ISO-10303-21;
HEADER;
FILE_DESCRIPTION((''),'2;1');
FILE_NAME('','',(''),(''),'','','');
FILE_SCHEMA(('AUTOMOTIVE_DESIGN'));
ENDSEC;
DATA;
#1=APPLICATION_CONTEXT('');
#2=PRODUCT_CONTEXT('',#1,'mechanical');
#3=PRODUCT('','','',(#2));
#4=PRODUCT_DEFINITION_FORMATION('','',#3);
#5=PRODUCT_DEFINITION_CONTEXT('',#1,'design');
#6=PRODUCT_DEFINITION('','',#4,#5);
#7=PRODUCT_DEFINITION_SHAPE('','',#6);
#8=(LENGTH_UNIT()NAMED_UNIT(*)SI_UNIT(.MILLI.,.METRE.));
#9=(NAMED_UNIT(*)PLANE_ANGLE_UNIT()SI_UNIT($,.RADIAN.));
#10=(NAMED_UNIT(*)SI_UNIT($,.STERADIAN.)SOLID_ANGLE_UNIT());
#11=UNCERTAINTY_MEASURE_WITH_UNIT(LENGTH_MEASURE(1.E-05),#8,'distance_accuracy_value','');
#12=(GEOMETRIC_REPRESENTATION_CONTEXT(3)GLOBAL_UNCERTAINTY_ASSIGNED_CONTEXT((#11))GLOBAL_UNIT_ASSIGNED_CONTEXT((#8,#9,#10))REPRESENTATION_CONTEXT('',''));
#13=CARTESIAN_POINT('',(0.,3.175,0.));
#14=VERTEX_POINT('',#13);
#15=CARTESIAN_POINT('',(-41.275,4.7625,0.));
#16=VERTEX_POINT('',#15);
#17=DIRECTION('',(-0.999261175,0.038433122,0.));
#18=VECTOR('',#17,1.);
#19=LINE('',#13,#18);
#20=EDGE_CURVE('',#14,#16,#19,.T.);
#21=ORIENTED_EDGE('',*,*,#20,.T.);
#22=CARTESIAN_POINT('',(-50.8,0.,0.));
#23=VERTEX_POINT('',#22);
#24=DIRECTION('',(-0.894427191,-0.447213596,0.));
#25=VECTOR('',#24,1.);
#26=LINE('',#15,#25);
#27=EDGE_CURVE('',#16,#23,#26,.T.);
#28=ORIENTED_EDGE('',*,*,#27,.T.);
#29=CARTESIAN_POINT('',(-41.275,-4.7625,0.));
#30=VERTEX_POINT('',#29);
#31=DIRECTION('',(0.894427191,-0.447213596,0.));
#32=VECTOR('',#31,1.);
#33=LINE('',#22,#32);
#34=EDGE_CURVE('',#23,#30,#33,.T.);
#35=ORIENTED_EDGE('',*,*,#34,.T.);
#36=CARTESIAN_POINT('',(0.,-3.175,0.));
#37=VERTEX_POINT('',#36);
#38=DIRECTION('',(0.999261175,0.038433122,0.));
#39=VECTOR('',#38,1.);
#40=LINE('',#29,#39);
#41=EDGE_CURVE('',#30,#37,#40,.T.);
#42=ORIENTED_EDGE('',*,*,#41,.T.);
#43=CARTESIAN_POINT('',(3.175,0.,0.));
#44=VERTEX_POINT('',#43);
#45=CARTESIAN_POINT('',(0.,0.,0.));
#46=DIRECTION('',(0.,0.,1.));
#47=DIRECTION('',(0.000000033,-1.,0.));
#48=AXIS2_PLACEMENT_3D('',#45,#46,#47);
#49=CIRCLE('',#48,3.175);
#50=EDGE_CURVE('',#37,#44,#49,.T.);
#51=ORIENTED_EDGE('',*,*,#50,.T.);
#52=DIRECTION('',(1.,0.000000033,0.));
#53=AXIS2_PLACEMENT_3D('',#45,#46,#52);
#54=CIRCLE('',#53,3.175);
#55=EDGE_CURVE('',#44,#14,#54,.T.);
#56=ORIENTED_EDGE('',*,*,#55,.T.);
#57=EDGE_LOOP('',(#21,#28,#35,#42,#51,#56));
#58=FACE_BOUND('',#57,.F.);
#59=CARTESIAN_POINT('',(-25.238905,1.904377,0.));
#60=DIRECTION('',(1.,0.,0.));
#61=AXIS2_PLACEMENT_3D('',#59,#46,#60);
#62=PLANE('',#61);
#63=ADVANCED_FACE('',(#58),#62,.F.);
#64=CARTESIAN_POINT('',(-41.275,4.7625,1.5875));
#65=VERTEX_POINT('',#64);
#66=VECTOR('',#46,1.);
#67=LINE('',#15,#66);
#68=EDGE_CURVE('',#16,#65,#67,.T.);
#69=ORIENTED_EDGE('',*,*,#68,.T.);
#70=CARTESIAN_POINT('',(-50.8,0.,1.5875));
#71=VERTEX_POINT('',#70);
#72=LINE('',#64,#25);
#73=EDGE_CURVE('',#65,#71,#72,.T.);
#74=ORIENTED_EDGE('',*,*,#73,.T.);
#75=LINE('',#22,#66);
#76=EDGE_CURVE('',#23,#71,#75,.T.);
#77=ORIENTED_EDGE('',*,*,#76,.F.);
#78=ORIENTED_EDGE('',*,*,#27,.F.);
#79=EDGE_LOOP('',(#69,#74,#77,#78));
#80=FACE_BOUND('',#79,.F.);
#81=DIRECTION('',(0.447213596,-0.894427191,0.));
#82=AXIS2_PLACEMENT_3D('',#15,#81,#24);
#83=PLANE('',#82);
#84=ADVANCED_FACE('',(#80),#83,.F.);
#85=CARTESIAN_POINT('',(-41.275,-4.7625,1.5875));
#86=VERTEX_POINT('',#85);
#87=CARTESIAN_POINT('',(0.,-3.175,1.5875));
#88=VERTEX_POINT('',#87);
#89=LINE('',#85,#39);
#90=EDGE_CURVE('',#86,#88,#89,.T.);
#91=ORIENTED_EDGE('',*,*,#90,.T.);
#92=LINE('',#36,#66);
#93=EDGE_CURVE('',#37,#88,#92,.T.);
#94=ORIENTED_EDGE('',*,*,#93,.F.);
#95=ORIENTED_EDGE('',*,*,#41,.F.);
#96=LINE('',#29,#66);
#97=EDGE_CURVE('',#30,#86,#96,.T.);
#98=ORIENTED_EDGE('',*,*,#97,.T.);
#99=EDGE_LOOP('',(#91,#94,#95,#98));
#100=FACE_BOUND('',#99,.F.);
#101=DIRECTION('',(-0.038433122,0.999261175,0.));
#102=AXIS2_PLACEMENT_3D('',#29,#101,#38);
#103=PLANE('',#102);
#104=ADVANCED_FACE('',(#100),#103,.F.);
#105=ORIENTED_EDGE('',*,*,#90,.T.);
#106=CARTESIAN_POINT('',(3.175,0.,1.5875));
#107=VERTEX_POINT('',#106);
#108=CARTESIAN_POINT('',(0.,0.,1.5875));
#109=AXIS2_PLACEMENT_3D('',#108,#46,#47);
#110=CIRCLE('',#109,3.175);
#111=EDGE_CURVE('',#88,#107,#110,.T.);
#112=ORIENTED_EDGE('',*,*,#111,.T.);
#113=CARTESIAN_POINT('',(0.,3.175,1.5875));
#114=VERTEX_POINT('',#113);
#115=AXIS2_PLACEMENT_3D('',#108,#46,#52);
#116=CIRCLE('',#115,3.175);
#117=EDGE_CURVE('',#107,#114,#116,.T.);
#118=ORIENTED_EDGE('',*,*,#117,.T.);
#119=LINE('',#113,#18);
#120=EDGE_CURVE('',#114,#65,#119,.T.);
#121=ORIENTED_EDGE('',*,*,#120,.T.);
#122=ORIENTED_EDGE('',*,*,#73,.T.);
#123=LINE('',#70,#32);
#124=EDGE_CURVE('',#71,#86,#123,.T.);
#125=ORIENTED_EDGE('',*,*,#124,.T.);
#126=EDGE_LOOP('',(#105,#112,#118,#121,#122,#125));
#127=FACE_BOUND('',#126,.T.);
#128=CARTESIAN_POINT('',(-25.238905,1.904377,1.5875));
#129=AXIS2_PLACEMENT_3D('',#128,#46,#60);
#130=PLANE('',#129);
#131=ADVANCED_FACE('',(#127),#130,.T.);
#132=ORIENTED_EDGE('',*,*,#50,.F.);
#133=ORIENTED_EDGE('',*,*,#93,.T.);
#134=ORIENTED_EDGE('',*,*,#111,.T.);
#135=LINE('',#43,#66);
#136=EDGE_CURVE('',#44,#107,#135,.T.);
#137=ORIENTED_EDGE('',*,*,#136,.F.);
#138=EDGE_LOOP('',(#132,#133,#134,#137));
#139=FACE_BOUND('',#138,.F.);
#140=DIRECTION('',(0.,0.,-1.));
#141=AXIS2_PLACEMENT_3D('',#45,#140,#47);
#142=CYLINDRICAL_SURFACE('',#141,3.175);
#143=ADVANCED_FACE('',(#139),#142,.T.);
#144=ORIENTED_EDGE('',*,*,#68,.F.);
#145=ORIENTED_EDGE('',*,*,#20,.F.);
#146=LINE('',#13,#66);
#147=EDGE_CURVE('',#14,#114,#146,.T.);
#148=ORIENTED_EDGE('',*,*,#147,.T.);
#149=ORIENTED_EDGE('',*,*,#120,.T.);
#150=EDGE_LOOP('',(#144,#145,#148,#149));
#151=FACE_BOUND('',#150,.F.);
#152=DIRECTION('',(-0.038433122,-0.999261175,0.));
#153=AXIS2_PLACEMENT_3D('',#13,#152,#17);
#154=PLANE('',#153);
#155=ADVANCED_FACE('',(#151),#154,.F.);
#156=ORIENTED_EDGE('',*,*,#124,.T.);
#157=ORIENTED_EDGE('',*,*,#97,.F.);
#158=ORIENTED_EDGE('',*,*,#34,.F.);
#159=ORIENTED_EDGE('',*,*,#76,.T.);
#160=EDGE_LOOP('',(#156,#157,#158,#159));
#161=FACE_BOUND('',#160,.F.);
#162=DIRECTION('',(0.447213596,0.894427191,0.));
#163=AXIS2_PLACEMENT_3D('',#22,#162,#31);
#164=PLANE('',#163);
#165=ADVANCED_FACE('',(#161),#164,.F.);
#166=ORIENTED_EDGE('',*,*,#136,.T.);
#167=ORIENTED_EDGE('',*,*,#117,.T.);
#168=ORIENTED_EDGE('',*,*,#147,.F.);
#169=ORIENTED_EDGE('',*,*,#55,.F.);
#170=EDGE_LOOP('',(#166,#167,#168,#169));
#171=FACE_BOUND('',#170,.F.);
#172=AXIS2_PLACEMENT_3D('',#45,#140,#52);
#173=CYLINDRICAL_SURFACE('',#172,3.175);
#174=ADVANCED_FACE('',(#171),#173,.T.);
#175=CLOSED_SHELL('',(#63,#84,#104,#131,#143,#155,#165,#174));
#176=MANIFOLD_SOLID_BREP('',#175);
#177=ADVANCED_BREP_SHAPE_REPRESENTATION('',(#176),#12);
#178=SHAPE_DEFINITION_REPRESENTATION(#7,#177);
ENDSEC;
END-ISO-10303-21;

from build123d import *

# Parameters (mm, degrees)
F1_DEPTH = 1.5875


with BuildPart() as f1:
    # F0 (on Top) → F1 (new body)
    with BuildSketch(Plane.XY):
        with BuildLine():
            ThreePointArc((-3.175, 0), (-2.245064, 2.245064), (0, 3.175))
            Line((0, 3.175), (-41.275, 4.7625))
            Line((-41.275, 4.7625), (-50.8, 0))
            Line((-50.8, 0), (-3.175, 0))
        make_face()
        with BuildLine():
            ThreePointArc((0, -3.175), (2.245064, -2.245064), (3.175, 0))
            ThreePointArc((3.175, 0), (2.245064, 2.245064), (0, 3.175))
            ThreePointArc((0, 3.175), (-2.245064, 2.245064), (-3.175, 0))
            ThreePointArc((-3.175, 0), (-2.245064, -2.245064), (0, -3.175))
        make_face()
        with BuildLine():
            Line((-41.275, -4.7625), (0, -3.175))
            ThreePointArc((0, -3.175), (-2.245064, -2.245064), (-3.175, 0))
            Line((-3.175, 0), (-50.8, 0))
            Line((-50.8, 0), (-41.275, -4.7625))
        make_face()
    extrude(amount=F1_DEPTH)


with BuildPart() as f2_1:
    # F2: copy of F1
    add(f1.part)


solid = f1.part
